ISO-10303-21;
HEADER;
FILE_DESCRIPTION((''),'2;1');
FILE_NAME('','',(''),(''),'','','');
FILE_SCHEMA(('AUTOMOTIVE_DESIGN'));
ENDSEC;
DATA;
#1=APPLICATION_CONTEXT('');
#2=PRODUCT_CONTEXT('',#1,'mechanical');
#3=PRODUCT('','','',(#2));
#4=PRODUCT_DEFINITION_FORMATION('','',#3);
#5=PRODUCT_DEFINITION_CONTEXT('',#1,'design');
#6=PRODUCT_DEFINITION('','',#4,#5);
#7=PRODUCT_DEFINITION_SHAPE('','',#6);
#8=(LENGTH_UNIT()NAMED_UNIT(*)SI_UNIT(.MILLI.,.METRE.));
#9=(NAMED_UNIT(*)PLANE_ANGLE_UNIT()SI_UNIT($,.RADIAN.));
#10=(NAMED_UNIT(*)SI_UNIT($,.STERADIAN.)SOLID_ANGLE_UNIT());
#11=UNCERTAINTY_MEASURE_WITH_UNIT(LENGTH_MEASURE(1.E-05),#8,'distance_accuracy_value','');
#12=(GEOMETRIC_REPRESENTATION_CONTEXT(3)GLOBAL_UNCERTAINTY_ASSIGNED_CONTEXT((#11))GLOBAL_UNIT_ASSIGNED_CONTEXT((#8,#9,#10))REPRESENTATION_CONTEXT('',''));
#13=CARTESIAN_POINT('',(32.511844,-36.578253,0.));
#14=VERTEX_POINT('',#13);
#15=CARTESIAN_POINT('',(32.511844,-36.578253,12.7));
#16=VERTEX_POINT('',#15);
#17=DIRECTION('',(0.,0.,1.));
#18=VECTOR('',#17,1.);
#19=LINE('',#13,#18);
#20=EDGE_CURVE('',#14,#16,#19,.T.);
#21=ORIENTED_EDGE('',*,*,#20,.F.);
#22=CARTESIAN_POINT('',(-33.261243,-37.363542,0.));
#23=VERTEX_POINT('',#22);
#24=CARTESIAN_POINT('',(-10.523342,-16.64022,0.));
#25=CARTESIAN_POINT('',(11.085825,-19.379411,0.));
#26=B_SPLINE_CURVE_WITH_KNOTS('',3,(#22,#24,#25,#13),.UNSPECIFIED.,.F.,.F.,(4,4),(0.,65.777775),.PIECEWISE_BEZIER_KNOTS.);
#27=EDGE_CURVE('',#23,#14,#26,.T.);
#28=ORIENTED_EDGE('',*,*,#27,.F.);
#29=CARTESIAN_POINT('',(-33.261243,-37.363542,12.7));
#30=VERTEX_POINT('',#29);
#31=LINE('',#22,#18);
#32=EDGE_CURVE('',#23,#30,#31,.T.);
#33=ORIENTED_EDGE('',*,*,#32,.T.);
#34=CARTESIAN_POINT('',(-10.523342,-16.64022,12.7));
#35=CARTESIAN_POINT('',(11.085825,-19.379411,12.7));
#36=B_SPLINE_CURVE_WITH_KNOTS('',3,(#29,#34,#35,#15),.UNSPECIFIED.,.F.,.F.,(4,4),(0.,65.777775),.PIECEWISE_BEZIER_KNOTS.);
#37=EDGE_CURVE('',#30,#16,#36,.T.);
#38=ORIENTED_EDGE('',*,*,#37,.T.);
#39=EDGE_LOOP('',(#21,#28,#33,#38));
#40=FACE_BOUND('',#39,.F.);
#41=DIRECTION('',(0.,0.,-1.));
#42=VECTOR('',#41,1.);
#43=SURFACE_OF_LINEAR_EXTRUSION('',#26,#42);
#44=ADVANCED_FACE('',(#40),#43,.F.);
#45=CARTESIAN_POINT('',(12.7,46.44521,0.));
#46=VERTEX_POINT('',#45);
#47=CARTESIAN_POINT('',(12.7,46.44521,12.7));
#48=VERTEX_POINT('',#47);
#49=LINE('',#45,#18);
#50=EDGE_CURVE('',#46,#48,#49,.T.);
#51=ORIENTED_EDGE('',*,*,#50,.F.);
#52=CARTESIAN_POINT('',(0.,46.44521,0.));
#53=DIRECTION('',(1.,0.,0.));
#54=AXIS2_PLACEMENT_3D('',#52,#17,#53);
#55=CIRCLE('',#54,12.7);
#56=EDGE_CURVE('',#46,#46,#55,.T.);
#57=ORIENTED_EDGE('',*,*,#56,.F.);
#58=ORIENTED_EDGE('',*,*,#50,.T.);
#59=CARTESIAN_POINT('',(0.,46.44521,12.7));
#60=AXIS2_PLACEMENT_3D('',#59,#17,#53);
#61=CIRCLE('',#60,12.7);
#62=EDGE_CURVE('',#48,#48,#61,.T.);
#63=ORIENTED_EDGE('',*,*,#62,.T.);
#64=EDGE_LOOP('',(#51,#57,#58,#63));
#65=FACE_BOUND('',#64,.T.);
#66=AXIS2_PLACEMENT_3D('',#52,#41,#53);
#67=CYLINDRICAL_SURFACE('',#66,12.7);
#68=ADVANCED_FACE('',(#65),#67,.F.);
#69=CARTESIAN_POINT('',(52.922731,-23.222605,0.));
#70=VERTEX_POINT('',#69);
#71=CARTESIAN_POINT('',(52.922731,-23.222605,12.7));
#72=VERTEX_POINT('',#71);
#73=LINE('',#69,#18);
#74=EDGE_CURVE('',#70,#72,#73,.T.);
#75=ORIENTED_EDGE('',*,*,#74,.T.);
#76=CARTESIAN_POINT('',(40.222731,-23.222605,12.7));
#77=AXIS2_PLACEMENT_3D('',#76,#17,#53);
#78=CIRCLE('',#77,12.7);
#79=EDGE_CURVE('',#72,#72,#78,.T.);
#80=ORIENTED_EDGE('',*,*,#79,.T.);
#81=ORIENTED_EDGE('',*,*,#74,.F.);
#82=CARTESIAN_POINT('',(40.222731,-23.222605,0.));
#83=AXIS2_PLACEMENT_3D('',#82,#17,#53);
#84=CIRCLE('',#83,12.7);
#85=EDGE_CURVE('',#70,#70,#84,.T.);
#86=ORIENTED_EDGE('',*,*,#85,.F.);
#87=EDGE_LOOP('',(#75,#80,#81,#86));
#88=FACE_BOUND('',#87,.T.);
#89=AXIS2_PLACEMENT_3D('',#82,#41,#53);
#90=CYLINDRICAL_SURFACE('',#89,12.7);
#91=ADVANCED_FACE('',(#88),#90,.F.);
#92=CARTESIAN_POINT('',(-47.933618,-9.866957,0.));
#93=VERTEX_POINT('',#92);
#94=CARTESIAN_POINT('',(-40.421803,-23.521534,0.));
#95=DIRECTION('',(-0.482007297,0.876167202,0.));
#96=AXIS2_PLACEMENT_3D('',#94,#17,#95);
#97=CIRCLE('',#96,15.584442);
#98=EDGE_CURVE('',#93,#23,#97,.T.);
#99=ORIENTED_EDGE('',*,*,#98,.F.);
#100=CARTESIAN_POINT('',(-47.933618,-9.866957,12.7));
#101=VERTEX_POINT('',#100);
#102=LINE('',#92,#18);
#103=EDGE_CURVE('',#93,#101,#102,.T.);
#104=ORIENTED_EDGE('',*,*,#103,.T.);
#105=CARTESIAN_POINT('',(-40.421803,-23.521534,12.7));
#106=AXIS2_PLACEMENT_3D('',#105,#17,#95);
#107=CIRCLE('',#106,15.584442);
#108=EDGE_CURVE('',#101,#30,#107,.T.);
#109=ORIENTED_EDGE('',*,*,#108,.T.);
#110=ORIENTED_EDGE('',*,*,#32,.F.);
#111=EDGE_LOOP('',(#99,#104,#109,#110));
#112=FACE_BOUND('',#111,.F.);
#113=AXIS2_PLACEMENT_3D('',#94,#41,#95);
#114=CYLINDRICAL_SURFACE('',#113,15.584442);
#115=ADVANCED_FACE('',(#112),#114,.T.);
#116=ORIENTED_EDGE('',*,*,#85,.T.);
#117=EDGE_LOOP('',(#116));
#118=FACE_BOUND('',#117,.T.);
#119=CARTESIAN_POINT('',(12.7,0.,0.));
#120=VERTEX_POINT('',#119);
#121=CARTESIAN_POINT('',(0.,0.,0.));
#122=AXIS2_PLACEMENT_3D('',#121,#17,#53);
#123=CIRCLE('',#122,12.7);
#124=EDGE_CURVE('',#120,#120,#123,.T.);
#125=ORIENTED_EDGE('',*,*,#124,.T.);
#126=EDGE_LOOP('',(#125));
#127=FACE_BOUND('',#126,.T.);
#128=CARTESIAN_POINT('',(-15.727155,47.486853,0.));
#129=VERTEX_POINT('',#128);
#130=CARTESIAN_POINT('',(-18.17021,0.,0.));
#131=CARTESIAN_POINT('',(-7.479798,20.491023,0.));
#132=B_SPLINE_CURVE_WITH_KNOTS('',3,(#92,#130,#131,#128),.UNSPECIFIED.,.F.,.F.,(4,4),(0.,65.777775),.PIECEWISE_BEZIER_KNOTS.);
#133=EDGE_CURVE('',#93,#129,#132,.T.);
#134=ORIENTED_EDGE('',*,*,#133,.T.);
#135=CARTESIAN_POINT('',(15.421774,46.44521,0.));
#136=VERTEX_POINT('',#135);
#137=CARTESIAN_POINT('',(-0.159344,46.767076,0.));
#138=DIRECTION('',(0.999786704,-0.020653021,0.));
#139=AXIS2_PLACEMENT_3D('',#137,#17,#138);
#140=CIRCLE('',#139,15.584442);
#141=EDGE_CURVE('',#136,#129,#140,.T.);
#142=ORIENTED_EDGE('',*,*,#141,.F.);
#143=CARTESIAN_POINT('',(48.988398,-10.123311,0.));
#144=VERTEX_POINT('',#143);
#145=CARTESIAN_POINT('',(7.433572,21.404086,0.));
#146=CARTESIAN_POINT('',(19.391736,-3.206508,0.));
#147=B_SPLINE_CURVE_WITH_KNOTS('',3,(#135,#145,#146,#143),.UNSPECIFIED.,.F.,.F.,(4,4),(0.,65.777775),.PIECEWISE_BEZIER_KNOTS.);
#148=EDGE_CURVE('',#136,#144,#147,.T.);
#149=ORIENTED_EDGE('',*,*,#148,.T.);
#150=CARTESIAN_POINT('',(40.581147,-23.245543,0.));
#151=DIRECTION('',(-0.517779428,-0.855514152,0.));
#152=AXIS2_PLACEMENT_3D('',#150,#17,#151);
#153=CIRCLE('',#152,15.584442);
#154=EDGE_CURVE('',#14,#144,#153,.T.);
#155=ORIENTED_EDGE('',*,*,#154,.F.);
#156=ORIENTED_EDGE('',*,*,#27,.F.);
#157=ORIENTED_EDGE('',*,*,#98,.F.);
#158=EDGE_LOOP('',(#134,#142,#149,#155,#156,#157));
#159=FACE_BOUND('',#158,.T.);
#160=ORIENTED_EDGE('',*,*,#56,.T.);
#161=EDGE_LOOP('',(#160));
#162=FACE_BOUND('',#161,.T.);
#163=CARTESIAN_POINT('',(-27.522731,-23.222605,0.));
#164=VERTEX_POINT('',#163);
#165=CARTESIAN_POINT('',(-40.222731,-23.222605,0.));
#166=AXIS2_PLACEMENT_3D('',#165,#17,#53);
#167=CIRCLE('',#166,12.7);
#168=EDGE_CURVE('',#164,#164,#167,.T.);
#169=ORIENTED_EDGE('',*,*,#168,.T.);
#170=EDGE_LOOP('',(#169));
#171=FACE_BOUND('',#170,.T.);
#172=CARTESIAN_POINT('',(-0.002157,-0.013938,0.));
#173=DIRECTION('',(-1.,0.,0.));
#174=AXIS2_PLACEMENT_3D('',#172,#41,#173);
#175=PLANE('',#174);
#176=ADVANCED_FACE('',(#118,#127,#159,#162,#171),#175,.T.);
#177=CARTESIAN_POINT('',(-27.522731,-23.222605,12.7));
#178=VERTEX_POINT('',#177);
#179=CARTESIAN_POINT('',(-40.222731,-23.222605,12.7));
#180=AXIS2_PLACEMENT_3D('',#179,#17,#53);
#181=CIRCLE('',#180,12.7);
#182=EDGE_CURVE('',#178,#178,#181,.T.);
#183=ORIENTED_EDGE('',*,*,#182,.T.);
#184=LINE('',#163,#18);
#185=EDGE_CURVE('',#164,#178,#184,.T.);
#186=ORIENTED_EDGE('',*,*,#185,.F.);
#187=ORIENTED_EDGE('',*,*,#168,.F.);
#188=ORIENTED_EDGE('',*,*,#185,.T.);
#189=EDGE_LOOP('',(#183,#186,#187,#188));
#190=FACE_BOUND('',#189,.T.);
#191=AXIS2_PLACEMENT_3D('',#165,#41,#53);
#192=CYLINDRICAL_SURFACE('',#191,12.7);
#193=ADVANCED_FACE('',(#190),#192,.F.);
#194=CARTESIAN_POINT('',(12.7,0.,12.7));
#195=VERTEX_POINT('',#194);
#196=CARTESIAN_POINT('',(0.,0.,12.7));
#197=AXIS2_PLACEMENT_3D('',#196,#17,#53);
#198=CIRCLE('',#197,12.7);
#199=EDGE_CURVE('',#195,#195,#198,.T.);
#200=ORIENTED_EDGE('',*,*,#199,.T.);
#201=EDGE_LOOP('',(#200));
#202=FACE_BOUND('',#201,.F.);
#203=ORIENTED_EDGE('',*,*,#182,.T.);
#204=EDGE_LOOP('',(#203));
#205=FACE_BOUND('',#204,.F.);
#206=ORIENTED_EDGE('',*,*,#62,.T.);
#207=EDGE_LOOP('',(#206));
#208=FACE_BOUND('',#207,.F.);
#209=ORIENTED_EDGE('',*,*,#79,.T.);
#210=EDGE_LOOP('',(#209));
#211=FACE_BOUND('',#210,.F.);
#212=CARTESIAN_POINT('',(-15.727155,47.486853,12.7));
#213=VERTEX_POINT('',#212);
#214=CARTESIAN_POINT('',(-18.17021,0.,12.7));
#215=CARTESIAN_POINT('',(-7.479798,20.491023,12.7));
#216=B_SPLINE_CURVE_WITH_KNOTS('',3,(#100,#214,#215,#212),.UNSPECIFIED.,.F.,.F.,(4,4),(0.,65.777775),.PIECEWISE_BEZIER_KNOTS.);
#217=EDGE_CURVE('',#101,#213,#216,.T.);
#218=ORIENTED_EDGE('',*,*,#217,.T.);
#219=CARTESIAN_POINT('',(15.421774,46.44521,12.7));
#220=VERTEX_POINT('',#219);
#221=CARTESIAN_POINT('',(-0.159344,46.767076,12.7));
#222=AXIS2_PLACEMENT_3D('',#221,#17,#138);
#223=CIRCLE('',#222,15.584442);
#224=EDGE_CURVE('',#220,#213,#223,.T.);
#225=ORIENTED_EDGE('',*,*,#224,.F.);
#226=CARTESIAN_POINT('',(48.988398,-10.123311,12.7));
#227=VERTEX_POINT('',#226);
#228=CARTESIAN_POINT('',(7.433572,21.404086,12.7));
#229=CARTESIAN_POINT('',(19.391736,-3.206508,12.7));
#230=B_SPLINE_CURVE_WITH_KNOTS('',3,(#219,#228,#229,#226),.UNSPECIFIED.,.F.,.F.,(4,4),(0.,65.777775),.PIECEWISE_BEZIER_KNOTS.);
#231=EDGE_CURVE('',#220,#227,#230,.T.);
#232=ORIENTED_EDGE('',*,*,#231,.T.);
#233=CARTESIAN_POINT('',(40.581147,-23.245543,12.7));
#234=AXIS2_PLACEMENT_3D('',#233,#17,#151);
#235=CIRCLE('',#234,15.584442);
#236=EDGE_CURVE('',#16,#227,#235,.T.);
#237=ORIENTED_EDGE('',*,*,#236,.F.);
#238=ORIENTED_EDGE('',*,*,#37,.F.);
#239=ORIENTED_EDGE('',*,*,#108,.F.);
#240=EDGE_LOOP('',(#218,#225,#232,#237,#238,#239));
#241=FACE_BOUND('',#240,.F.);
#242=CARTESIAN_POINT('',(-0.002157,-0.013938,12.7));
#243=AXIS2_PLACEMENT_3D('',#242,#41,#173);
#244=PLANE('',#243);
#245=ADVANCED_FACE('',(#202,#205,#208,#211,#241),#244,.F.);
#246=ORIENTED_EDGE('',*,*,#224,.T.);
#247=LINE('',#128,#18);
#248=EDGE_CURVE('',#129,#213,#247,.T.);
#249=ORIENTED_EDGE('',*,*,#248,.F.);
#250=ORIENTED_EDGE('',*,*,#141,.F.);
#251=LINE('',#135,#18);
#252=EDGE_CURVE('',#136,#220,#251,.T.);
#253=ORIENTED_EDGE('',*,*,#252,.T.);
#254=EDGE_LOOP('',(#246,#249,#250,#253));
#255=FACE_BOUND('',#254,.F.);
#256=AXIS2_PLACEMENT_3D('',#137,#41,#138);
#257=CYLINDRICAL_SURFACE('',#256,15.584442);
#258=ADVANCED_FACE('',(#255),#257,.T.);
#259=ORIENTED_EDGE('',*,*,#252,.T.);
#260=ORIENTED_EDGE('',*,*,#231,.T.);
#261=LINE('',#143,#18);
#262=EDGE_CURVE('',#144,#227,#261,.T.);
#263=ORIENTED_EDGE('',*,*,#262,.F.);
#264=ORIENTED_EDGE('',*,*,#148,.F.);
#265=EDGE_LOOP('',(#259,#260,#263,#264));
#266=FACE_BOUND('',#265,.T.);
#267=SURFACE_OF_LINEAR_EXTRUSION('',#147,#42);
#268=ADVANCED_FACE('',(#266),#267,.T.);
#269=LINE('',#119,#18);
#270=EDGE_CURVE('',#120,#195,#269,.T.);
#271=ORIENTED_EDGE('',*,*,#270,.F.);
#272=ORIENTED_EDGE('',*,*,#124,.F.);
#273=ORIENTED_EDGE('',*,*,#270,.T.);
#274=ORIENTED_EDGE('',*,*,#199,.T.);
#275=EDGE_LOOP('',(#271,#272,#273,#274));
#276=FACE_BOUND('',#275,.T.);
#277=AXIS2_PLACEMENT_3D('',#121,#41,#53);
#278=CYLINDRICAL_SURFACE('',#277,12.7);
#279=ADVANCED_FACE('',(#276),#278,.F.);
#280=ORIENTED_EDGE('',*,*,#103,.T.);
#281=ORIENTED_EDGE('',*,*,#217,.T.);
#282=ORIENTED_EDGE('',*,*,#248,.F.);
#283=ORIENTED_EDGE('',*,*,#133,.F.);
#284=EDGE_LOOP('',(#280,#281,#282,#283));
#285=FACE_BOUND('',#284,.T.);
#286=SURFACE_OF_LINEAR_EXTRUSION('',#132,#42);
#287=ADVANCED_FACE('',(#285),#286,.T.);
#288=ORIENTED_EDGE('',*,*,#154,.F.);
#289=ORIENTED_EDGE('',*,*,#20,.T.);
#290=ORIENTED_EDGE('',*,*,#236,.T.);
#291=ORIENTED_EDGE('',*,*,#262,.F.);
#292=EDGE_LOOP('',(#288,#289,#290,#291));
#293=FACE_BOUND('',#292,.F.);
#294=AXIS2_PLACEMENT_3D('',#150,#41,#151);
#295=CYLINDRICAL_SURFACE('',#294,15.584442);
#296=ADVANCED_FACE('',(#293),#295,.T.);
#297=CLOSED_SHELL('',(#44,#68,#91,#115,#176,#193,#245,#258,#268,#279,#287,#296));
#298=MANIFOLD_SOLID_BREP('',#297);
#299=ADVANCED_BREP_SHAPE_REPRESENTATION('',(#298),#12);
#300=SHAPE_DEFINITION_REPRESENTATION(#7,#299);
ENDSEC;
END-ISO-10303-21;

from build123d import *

# Parameters (mm, degrees)
F0_R     = 12.7
F1_DEPTH = 12.7


with BuildPart() as f1:
    # F0 (on Top) → F1 (new body)
    with BuildSketch(Plane.XY):
        with BuildLine():
            add(Edge.make_bspline(
                [(15.421774, 46.44521), (7.433572, 21.404086), (19.391736, -3.206508), (48.988398, -10.123311)],
                knots=[0, 0, 0, 0, 65.777775, 65.777775, 65.777775, 65.777775], degree=3))
            ThreePointArc((15.421774, 46.44521), (0.361521, 62.342811), (-15.727155, 47.486853))
            add(Edge.make_bspline(
                [(-47.933618, -9.866957), (-18.17021, 0), (-7.479798, 20.491023), (-15.727155, 47.486853)],
                knots=[0, 0, 0, 0, 65.777775, 65.777775, 65.777775, 65.777775], degree=3))
            ThreePointArc((-47.933618, -9.866957), (-54.171218, -30.858319), (-33.261243, -37.363542))
            add(Edge.make_bspline(
                [(-33.261243, -37.363542), (-10.523342, -16.64022), (11.085825, -19.379411), (32.511844, -36.578253)],
                knots=[0, 0, 0, 0, 65.777775, 65.777775, 65.777775, 65.777775], degree=3))
            ThreePointArc((32.511844, -36.578253), (53.809698, -31.484491), (48.988398, -10.123311))
        make_face()
        with Locations((-40.222731, -23.222605)):
            Circle(F0_R, mode=Mode.SUBTRACT)
        Circle(F0_R, mode=Mode.SUBTRACT)
        with Locations((40.222731, -23.222605)):
            Circle(F0_R, mode=Mode.SUBTRACT)
        with Locations((0, 46.44521)):
            Circle(F0_R, mode=Mode.SUBTRACT)
    extrude(amount=F1_DEPTH)


solid = f1.part
